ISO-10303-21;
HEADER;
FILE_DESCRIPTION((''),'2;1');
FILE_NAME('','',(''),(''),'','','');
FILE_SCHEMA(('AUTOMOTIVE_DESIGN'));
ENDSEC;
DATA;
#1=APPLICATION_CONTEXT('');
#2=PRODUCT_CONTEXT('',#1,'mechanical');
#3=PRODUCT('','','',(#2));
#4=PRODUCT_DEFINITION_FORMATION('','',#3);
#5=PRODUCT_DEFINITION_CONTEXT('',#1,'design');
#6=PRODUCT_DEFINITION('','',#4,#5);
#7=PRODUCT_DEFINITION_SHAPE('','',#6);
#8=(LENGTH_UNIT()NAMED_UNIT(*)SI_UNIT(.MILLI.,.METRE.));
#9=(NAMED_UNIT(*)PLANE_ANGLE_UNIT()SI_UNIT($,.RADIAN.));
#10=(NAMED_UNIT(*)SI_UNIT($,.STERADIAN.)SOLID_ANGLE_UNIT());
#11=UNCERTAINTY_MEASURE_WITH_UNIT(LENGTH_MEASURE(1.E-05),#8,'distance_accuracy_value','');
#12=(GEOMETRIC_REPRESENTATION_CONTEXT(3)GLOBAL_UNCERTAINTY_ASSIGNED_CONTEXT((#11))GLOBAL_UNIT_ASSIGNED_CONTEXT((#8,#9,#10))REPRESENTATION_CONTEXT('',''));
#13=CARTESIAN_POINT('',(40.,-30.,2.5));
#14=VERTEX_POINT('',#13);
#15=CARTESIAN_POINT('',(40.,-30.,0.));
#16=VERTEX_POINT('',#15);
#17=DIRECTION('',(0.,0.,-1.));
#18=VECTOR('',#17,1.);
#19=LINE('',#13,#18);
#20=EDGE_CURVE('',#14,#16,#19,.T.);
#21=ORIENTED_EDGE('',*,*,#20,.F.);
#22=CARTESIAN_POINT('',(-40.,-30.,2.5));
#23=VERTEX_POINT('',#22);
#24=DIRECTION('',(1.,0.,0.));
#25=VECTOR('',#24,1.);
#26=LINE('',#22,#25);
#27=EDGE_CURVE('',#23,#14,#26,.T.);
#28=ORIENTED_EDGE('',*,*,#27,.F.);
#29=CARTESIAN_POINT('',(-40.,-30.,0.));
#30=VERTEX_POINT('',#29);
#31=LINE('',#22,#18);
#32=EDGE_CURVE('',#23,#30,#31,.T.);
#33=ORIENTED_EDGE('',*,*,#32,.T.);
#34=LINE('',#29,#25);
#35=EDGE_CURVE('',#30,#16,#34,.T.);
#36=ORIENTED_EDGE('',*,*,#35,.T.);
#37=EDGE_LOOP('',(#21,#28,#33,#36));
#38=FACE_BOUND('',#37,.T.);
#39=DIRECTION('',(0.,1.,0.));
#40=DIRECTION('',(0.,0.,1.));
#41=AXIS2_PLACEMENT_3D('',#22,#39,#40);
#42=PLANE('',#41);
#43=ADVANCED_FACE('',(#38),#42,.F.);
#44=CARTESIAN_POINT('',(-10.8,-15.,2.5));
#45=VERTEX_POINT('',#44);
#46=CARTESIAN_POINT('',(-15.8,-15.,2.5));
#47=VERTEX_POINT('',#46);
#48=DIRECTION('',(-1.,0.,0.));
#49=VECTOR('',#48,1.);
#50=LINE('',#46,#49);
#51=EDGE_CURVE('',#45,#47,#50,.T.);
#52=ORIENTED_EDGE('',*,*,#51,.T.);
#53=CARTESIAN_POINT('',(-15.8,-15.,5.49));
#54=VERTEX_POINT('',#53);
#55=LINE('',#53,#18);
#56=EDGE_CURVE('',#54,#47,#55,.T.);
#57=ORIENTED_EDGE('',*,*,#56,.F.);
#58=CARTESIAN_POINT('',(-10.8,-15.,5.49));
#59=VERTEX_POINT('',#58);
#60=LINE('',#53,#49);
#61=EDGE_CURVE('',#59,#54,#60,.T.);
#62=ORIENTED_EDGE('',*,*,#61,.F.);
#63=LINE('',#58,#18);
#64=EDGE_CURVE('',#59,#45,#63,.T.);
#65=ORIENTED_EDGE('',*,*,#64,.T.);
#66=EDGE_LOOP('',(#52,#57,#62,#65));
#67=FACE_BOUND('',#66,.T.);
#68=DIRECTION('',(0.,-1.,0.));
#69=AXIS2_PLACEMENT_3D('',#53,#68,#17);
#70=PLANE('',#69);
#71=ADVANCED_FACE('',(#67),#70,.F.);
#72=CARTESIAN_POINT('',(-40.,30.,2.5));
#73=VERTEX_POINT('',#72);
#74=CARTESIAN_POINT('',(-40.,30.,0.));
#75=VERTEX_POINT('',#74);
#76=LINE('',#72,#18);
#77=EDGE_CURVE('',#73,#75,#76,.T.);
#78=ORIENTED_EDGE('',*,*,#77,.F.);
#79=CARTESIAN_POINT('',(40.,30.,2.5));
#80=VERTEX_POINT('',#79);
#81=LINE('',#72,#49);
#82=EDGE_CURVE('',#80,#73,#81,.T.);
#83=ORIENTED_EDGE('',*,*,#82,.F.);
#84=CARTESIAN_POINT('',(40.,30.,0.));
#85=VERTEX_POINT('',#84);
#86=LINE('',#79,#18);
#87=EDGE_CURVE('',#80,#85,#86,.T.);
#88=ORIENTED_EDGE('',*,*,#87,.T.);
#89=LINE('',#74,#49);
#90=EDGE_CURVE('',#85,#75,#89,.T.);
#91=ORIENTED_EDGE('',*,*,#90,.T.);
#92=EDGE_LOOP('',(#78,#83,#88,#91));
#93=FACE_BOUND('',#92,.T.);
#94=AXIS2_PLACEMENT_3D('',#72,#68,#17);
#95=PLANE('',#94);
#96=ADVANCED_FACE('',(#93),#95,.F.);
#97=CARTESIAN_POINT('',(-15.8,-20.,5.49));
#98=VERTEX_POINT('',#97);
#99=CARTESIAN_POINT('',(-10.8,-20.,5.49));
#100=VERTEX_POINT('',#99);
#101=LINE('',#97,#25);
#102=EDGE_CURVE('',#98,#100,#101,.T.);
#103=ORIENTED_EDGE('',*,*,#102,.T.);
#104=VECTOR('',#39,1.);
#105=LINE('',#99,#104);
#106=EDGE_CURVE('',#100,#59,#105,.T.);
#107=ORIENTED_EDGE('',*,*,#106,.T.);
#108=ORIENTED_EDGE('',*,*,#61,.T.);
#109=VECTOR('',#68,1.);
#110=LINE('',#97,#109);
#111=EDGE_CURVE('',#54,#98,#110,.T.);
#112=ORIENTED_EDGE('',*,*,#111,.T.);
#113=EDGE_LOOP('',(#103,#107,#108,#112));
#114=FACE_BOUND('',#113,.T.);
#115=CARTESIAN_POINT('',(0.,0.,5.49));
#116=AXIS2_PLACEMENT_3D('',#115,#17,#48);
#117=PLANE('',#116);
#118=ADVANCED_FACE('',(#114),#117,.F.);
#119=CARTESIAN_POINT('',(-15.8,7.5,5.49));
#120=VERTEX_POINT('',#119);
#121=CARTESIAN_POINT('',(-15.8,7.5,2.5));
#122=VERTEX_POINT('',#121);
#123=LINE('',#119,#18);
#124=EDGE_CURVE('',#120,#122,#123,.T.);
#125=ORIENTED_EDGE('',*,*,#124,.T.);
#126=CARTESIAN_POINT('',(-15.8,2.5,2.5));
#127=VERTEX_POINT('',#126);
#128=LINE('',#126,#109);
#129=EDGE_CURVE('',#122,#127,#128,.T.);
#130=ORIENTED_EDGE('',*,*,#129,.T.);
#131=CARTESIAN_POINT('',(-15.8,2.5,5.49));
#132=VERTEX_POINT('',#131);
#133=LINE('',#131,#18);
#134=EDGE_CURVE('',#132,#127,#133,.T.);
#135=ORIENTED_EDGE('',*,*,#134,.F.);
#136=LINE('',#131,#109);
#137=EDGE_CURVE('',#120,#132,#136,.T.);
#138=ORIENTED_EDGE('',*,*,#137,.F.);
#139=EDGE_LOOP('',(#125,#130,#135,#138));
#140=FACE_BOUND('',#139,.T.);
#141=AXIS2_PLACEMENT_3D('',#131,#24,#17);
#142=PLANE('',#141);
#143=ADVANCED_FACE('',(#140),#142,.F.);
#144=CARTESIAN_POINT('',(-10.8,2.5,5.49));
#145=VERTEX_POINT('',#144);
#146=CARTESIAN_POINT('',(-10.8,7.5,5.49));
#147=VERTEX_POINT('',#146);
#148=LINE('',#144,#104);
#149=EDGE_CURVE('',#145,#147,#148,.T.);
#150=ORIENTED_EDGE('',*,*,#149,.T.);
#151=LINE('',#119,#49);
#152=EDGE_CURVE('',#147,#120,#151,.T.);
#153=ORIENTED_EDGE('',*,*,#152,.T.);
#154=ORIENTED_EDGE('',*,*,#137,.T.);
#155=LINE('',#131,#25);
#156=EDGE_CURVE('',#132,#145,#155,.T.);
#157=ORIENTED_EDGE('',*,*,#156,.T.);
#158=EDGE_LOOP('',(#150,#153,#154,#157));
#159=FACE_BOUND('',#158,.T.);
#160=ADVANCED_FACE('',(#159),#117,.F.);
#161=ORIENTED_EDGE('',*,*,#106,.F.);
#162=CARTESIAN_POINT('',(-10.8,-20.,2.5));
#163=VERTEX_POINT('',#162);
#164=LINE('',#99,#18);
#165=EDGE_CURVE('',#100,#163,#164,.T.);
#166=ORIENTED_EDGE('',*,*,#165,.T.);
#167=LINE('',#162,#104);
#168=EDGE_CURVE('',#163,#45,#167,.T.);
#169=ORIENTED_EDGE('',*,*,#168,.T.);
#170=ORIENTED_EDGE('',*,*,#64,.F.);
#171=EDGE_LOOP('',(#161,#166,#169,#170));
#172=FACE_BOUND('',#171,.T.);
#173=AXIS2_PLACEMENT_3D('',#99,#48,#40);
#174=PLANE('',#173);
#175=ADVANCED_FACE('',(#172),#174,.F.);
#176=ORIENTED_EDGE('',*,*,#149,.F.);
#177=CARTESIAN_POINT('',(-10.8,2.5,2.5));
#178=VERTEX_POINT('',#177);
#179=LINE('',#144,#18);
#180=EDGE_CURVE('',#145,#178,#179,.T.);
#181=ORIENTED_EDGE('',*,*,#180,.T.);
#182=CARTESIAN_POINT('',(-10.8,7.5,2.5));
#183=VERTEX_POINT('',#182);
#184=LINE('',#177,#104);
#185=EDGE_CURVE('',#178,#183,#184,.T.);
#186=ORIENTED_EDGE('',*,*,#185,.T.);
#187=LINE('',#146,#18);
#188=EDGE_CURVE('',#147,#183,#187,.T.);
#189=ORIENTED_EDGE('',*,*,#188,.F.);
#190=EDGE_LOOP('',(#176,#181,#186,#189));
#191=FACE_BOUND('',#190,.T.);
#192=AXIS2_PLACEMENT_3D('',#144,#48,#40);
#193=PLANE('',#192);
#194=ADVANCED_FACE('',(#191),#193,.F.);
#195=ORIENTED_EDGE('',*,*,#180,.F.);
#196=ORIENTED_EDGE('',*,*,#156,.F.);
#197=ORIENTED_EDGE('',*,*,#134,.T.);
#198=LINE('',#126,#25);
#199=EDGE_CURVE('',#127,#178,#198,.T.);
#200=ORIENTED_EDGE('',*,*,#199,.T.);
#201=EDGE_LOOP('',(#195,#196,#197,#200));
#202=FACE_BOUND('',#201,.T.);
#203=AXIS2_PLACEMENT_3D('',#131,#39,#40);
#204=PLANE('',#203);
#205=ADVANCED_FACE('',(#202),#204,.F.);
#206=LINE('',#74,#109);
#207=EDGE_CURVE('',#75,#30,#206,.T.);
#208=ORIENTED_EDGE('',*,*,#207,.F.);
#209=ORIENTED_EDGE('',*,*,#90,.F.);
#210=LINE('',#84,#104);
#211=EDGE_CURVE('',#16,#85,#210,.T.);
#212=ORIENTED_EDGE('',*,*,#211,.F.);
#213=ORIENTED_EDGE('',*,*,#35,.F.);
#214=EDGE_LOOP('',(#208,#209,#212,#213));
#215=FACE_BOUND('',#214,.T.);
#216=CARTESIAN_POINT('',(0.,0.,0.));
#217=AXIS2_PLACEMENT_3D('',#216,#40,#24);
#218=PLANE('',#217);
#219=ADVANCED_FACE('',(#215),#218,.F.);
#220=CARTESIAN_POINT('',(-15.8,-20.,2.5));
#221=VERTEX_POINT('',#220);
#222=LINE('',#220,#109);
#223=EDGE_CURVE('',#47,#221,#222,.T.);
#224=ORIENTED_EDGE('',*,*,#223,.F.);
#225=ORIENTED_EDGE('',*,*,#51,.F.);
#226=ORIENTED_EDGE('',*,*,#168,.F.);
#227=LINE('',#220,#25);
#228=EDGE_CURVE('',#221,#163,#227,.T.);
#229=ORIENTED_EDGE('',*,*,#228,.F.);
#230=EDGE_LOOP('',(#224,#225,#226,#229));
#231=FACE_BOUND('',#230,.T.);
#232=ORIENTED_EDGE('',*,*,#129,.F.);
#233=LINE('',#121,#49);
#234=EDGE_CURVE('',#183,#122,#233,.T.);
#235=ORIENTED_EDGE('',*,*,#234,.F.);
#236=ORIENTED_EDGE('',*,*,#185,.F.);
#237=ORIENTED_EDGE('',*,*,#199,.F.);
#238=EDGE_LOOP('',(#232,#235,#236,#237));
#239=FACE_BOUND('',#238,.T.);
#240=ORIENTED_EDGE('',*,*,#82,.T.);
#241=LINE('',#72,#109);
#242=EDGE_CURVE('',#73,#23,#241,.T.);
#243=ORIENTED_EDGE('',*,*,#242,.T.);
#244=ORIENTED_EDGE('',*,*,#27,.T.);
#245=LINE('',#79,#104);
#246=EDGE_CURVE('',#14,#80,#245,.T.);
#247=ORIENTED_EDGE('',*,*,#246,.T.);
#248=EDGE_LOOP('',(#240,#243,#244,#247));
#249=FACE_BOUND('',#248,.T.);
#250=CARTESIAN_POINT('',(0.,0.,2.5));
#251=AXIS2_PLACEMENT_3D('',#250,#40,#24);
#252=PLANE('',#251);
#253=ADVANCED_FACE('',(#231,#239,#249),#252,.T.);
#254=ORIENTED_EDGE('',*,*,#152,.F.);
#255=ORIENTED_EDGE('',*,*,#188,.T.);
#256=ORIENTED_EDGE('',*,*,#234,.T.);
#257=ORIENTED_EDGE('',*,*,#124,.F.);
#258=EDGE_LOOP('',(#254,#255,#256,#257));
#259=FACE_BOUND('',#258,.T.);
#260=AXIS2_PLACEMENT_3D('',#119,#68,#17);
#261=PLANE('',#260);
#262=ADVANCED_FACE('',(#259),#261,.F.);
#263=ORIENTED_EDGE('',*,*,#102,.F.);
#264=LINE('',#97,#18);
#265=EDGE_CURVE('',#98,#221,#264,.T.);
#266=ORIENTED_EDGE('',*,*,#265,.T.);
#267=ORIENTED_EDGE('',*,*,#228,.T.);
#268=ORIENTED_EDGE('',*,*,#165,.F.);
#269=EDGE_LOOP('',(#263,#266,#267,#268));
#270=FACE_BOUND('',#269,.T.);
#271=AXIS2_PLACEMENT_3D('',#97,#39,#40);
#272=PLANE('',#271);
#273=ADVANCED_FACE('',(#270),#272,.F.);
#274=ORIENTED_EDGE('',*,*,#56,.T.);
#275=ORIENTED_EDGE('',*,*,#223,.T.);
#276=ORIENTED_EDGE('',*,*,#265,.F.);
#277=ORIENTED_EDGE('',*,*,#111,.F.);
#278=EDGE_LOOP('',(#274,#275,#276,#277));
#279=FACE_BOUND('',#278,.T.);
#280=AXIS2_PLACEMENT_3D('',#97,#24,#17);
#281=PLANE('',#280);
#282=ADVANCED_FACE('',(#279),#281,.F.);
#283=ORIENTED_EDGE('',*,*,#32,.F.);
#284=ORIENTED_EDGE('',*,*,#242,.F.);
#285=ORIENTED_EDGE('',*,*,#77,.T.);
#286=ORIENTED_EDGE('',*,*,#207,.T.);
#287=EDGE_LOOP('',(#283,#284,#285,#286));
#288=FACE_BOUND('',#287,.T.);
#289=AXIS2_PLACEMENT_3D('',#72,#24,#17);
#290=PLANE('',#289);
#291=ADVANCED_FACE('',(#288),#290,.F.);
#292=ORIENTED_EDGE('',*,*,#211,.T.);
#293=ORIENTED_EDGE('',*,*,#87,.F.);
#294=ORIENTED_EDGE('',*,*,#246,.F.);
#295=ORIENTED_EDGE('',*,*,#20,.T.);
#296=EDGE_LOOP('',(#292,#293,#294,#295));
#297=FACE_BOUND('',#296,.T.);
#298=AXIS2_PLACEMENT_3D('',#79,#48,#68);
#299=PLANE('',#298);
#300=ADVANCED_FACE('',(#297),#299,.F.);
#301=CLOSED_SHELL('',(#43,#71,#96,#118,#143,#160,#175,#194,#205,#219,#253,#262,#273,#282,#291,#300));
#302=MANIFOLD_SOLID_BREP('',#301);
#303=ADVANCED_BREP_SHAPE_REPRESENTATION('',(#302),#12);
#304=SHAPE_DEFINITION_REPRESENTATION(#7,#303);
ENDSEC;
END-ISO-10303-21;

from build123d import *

# Parameters (mm, degrees)
SKETCH1_W           = 80
SKETCH1_H           = 60
BOSS_EXTRUDE1_DEPTH = 2.5
SKETCH2_W           = 5
SKETCH2_H           = 5
BOSS_EXTRUDE2_DEPTH = 2.99


with BuildPart() as part:
    # Sketch1 → Boss-Extrude1 (new body)
    with BuildSketch(Plane.XY):
        Rectangle(SKETCH1_W, SKETCH1_H)
    extrude(amount=BOSS_EXTRUDE1_DEPTH)

    # Sketch2 → Boss-Extrude2 (add)
    with BuildSketch(Plane.XY.offset(2.5)):
        with Locations((-13.3, -17.5)):
            Rectangle(SKETCH2_W, SKETCH2_H)
        with Locations((-13.3, 5)):
            Rectangle(SKETCH2_W, SKETCH2_H)
    extrude(amount=BOSS_EXTRUDE2_DEPTH)


solid = part.part
